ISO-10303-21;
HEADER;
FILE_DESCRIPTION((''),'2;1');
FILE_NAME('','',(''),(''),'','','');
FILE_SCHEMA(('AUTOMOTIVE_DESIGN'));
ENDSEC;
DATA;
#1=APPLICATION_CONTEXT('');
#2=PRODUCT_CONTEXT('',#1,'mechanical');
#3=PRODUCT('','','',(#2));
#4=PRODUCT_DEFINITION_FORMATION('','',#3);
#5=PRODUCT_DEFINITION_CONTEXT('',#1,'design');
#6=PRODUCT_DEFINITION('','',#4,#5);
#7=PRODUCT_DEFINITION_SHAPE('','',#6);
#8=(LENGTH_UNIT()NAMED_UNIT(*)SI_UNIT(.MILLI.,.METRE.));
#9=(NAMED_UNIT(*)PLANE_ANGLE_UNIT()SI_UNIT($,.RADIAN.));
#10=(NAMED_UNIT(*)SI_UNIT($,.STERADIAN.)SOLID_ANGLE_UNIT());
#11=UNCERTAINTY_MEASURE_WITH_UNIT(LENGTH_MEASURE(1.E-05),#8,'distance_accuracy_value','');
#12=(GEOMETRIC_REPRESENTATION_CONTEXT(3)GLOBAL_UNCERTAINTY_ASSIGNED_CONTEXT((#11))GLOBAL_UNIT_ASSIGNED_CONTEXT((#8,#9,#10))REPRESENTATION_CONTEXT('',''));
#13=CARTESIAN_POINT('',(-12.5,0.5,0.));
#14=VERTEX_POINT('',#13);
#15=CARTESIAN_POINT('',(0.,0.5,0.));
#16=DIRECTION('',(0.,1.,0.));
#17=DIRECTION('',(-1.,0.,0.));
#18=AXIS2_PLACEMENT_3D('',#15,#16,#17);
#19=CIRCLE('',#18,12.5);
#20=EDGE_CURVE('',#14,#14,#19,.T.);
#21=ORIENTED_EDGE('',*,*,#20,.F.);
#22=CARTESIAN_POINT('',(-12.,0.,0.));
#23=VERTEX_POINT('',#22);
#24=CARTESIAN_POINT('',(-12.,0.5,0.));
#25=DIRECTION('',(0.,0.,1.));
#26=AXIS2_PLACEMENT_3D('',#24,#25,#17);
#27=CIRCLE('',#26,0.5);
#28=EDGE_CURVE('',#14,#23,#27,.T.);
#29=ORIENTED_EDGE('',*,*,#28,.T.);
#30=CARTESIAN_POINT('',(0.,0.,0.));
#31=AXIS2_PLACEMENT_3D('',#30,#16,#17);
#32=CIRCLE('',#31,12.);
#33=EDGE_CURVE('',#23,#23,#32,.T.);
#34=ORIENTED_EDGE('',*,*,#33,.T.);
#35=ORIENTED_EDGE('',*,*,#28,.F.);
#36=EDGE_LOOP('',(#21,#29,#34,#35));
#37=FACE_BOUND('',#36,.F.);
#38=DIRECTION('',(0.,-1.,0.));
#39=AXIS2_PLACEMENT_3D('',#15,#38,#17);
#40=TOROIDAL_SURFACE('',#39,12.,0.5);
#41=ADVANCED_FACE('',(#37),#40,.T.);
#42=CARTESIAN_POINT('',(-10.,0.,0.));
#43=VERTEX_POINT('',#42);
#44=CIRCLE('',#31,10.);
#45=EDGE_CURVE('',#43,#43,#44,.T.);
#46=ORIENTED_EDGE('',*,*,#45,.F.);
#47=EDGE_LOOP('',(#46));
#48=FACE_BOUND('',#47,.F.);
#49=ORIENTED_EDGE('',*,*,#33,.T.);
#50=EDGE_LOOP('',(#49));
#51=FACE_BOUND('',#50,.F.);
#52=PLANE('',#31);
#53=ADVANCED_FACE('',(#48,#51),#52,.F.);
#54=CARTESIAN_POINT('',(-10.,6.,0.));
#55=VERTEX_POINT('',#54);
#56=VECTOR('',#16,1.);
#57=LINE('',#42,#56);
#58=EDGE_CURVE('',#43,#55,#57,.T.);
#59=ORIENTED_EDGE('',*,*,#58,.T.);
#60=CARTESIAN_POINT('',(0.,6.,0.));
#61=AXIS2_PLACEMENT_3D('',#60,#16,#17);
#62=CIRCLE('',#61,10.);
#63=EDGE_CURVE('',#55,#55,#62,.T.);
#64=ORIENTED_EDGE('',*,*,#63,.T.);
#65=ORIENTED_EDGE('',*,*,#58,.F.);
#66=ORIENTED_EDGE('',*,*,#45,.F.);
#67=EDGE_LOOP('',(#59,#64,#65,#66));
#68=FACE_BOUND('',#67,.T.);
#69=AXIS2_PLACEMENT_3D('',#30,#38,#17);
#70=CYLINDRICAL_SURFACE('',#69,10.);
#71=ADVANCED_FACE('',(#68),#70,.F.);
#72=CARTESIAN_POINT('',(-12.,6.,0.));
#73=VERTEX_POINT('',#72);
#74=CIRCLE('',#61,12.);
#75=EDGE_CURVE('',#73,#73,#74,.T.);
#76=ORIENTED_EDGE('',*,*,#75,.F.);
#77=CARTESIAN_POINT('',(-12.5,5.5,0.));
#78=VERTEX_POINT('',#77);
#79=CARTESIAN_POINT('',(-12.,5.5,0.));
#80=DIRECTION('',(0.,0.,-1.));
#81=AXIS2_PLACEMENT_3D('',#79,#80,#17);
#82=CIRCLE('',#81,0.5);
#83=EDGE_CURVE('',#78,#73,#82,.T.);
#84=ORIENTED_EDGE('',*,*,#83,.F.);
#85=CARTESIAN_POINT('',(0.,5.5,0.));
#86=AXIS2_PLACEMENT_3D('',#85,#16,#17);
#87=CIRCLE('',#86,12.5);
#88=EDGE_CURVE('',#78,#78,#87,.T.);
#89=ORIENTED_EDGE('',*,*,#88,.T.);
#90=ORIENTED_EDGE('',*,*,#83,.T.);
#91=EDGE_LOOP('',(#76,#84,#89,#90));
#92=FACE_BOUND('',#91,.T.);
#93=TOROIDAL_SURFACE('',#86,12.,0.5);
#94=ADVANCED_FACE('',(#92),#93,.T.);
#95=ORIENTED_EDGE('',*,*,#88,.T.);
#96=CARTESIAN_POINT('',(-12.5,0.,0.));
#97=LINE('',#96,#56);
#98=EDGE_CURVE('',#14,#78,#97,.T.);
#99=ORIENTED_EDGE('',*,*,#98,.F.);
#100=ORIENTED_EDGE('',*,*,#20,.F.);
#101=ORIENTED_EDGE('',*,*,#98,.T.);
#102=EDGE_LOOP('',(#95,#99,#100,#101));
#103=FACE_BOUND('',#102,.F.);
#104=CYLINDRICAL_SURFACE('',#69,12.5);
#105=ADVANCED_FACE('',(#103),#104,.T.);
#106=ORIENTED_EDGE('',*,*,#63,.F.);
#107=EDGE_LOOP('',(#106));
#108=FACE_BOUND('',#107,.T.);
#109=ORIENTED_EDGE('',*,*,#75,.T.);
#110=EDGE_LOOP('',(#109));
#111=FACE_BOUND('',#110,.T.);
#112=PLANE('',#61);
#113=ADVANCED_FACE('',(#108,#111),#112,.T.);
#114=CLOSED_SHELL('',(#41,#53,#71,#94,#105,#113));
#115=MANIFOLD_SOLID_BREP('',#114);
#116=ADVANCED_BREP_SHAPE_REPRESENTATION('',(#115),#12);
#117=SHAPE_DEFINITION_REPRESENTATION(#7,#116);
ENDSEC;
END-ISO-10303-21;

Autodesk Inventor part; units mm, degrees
ref_plane "YZ Plane" through (0, 0, 0) normal (1, 0, 0) x (0, 1, 0)
ref_plane "XZ Plane" through (0, 0, 0) normal (0, 1, 0) x (-1, 0, 0)
ref_plane "XY Plane" through (0, 0, 0) normal (0, 0, 1) x (1, 0, 0)
sketch "Sketch1" plane through (0, 0, 0) normal (0, 1, 0) x (-1, 0, 0)
  circle A0 centre (0, 0) radius 10
  circle A1 centre (0, 0) radius 12.5
  dimension "d0" = 20
  dimension "d1" = 25
extrude "Extrusion1" add sketch "Sketch1" along normal blind 6
fillet "Fillet1" radius 0.5 2 edges at (12.5, 6, 0) (12.5, 0, 0)
properties part number "Rueda"
